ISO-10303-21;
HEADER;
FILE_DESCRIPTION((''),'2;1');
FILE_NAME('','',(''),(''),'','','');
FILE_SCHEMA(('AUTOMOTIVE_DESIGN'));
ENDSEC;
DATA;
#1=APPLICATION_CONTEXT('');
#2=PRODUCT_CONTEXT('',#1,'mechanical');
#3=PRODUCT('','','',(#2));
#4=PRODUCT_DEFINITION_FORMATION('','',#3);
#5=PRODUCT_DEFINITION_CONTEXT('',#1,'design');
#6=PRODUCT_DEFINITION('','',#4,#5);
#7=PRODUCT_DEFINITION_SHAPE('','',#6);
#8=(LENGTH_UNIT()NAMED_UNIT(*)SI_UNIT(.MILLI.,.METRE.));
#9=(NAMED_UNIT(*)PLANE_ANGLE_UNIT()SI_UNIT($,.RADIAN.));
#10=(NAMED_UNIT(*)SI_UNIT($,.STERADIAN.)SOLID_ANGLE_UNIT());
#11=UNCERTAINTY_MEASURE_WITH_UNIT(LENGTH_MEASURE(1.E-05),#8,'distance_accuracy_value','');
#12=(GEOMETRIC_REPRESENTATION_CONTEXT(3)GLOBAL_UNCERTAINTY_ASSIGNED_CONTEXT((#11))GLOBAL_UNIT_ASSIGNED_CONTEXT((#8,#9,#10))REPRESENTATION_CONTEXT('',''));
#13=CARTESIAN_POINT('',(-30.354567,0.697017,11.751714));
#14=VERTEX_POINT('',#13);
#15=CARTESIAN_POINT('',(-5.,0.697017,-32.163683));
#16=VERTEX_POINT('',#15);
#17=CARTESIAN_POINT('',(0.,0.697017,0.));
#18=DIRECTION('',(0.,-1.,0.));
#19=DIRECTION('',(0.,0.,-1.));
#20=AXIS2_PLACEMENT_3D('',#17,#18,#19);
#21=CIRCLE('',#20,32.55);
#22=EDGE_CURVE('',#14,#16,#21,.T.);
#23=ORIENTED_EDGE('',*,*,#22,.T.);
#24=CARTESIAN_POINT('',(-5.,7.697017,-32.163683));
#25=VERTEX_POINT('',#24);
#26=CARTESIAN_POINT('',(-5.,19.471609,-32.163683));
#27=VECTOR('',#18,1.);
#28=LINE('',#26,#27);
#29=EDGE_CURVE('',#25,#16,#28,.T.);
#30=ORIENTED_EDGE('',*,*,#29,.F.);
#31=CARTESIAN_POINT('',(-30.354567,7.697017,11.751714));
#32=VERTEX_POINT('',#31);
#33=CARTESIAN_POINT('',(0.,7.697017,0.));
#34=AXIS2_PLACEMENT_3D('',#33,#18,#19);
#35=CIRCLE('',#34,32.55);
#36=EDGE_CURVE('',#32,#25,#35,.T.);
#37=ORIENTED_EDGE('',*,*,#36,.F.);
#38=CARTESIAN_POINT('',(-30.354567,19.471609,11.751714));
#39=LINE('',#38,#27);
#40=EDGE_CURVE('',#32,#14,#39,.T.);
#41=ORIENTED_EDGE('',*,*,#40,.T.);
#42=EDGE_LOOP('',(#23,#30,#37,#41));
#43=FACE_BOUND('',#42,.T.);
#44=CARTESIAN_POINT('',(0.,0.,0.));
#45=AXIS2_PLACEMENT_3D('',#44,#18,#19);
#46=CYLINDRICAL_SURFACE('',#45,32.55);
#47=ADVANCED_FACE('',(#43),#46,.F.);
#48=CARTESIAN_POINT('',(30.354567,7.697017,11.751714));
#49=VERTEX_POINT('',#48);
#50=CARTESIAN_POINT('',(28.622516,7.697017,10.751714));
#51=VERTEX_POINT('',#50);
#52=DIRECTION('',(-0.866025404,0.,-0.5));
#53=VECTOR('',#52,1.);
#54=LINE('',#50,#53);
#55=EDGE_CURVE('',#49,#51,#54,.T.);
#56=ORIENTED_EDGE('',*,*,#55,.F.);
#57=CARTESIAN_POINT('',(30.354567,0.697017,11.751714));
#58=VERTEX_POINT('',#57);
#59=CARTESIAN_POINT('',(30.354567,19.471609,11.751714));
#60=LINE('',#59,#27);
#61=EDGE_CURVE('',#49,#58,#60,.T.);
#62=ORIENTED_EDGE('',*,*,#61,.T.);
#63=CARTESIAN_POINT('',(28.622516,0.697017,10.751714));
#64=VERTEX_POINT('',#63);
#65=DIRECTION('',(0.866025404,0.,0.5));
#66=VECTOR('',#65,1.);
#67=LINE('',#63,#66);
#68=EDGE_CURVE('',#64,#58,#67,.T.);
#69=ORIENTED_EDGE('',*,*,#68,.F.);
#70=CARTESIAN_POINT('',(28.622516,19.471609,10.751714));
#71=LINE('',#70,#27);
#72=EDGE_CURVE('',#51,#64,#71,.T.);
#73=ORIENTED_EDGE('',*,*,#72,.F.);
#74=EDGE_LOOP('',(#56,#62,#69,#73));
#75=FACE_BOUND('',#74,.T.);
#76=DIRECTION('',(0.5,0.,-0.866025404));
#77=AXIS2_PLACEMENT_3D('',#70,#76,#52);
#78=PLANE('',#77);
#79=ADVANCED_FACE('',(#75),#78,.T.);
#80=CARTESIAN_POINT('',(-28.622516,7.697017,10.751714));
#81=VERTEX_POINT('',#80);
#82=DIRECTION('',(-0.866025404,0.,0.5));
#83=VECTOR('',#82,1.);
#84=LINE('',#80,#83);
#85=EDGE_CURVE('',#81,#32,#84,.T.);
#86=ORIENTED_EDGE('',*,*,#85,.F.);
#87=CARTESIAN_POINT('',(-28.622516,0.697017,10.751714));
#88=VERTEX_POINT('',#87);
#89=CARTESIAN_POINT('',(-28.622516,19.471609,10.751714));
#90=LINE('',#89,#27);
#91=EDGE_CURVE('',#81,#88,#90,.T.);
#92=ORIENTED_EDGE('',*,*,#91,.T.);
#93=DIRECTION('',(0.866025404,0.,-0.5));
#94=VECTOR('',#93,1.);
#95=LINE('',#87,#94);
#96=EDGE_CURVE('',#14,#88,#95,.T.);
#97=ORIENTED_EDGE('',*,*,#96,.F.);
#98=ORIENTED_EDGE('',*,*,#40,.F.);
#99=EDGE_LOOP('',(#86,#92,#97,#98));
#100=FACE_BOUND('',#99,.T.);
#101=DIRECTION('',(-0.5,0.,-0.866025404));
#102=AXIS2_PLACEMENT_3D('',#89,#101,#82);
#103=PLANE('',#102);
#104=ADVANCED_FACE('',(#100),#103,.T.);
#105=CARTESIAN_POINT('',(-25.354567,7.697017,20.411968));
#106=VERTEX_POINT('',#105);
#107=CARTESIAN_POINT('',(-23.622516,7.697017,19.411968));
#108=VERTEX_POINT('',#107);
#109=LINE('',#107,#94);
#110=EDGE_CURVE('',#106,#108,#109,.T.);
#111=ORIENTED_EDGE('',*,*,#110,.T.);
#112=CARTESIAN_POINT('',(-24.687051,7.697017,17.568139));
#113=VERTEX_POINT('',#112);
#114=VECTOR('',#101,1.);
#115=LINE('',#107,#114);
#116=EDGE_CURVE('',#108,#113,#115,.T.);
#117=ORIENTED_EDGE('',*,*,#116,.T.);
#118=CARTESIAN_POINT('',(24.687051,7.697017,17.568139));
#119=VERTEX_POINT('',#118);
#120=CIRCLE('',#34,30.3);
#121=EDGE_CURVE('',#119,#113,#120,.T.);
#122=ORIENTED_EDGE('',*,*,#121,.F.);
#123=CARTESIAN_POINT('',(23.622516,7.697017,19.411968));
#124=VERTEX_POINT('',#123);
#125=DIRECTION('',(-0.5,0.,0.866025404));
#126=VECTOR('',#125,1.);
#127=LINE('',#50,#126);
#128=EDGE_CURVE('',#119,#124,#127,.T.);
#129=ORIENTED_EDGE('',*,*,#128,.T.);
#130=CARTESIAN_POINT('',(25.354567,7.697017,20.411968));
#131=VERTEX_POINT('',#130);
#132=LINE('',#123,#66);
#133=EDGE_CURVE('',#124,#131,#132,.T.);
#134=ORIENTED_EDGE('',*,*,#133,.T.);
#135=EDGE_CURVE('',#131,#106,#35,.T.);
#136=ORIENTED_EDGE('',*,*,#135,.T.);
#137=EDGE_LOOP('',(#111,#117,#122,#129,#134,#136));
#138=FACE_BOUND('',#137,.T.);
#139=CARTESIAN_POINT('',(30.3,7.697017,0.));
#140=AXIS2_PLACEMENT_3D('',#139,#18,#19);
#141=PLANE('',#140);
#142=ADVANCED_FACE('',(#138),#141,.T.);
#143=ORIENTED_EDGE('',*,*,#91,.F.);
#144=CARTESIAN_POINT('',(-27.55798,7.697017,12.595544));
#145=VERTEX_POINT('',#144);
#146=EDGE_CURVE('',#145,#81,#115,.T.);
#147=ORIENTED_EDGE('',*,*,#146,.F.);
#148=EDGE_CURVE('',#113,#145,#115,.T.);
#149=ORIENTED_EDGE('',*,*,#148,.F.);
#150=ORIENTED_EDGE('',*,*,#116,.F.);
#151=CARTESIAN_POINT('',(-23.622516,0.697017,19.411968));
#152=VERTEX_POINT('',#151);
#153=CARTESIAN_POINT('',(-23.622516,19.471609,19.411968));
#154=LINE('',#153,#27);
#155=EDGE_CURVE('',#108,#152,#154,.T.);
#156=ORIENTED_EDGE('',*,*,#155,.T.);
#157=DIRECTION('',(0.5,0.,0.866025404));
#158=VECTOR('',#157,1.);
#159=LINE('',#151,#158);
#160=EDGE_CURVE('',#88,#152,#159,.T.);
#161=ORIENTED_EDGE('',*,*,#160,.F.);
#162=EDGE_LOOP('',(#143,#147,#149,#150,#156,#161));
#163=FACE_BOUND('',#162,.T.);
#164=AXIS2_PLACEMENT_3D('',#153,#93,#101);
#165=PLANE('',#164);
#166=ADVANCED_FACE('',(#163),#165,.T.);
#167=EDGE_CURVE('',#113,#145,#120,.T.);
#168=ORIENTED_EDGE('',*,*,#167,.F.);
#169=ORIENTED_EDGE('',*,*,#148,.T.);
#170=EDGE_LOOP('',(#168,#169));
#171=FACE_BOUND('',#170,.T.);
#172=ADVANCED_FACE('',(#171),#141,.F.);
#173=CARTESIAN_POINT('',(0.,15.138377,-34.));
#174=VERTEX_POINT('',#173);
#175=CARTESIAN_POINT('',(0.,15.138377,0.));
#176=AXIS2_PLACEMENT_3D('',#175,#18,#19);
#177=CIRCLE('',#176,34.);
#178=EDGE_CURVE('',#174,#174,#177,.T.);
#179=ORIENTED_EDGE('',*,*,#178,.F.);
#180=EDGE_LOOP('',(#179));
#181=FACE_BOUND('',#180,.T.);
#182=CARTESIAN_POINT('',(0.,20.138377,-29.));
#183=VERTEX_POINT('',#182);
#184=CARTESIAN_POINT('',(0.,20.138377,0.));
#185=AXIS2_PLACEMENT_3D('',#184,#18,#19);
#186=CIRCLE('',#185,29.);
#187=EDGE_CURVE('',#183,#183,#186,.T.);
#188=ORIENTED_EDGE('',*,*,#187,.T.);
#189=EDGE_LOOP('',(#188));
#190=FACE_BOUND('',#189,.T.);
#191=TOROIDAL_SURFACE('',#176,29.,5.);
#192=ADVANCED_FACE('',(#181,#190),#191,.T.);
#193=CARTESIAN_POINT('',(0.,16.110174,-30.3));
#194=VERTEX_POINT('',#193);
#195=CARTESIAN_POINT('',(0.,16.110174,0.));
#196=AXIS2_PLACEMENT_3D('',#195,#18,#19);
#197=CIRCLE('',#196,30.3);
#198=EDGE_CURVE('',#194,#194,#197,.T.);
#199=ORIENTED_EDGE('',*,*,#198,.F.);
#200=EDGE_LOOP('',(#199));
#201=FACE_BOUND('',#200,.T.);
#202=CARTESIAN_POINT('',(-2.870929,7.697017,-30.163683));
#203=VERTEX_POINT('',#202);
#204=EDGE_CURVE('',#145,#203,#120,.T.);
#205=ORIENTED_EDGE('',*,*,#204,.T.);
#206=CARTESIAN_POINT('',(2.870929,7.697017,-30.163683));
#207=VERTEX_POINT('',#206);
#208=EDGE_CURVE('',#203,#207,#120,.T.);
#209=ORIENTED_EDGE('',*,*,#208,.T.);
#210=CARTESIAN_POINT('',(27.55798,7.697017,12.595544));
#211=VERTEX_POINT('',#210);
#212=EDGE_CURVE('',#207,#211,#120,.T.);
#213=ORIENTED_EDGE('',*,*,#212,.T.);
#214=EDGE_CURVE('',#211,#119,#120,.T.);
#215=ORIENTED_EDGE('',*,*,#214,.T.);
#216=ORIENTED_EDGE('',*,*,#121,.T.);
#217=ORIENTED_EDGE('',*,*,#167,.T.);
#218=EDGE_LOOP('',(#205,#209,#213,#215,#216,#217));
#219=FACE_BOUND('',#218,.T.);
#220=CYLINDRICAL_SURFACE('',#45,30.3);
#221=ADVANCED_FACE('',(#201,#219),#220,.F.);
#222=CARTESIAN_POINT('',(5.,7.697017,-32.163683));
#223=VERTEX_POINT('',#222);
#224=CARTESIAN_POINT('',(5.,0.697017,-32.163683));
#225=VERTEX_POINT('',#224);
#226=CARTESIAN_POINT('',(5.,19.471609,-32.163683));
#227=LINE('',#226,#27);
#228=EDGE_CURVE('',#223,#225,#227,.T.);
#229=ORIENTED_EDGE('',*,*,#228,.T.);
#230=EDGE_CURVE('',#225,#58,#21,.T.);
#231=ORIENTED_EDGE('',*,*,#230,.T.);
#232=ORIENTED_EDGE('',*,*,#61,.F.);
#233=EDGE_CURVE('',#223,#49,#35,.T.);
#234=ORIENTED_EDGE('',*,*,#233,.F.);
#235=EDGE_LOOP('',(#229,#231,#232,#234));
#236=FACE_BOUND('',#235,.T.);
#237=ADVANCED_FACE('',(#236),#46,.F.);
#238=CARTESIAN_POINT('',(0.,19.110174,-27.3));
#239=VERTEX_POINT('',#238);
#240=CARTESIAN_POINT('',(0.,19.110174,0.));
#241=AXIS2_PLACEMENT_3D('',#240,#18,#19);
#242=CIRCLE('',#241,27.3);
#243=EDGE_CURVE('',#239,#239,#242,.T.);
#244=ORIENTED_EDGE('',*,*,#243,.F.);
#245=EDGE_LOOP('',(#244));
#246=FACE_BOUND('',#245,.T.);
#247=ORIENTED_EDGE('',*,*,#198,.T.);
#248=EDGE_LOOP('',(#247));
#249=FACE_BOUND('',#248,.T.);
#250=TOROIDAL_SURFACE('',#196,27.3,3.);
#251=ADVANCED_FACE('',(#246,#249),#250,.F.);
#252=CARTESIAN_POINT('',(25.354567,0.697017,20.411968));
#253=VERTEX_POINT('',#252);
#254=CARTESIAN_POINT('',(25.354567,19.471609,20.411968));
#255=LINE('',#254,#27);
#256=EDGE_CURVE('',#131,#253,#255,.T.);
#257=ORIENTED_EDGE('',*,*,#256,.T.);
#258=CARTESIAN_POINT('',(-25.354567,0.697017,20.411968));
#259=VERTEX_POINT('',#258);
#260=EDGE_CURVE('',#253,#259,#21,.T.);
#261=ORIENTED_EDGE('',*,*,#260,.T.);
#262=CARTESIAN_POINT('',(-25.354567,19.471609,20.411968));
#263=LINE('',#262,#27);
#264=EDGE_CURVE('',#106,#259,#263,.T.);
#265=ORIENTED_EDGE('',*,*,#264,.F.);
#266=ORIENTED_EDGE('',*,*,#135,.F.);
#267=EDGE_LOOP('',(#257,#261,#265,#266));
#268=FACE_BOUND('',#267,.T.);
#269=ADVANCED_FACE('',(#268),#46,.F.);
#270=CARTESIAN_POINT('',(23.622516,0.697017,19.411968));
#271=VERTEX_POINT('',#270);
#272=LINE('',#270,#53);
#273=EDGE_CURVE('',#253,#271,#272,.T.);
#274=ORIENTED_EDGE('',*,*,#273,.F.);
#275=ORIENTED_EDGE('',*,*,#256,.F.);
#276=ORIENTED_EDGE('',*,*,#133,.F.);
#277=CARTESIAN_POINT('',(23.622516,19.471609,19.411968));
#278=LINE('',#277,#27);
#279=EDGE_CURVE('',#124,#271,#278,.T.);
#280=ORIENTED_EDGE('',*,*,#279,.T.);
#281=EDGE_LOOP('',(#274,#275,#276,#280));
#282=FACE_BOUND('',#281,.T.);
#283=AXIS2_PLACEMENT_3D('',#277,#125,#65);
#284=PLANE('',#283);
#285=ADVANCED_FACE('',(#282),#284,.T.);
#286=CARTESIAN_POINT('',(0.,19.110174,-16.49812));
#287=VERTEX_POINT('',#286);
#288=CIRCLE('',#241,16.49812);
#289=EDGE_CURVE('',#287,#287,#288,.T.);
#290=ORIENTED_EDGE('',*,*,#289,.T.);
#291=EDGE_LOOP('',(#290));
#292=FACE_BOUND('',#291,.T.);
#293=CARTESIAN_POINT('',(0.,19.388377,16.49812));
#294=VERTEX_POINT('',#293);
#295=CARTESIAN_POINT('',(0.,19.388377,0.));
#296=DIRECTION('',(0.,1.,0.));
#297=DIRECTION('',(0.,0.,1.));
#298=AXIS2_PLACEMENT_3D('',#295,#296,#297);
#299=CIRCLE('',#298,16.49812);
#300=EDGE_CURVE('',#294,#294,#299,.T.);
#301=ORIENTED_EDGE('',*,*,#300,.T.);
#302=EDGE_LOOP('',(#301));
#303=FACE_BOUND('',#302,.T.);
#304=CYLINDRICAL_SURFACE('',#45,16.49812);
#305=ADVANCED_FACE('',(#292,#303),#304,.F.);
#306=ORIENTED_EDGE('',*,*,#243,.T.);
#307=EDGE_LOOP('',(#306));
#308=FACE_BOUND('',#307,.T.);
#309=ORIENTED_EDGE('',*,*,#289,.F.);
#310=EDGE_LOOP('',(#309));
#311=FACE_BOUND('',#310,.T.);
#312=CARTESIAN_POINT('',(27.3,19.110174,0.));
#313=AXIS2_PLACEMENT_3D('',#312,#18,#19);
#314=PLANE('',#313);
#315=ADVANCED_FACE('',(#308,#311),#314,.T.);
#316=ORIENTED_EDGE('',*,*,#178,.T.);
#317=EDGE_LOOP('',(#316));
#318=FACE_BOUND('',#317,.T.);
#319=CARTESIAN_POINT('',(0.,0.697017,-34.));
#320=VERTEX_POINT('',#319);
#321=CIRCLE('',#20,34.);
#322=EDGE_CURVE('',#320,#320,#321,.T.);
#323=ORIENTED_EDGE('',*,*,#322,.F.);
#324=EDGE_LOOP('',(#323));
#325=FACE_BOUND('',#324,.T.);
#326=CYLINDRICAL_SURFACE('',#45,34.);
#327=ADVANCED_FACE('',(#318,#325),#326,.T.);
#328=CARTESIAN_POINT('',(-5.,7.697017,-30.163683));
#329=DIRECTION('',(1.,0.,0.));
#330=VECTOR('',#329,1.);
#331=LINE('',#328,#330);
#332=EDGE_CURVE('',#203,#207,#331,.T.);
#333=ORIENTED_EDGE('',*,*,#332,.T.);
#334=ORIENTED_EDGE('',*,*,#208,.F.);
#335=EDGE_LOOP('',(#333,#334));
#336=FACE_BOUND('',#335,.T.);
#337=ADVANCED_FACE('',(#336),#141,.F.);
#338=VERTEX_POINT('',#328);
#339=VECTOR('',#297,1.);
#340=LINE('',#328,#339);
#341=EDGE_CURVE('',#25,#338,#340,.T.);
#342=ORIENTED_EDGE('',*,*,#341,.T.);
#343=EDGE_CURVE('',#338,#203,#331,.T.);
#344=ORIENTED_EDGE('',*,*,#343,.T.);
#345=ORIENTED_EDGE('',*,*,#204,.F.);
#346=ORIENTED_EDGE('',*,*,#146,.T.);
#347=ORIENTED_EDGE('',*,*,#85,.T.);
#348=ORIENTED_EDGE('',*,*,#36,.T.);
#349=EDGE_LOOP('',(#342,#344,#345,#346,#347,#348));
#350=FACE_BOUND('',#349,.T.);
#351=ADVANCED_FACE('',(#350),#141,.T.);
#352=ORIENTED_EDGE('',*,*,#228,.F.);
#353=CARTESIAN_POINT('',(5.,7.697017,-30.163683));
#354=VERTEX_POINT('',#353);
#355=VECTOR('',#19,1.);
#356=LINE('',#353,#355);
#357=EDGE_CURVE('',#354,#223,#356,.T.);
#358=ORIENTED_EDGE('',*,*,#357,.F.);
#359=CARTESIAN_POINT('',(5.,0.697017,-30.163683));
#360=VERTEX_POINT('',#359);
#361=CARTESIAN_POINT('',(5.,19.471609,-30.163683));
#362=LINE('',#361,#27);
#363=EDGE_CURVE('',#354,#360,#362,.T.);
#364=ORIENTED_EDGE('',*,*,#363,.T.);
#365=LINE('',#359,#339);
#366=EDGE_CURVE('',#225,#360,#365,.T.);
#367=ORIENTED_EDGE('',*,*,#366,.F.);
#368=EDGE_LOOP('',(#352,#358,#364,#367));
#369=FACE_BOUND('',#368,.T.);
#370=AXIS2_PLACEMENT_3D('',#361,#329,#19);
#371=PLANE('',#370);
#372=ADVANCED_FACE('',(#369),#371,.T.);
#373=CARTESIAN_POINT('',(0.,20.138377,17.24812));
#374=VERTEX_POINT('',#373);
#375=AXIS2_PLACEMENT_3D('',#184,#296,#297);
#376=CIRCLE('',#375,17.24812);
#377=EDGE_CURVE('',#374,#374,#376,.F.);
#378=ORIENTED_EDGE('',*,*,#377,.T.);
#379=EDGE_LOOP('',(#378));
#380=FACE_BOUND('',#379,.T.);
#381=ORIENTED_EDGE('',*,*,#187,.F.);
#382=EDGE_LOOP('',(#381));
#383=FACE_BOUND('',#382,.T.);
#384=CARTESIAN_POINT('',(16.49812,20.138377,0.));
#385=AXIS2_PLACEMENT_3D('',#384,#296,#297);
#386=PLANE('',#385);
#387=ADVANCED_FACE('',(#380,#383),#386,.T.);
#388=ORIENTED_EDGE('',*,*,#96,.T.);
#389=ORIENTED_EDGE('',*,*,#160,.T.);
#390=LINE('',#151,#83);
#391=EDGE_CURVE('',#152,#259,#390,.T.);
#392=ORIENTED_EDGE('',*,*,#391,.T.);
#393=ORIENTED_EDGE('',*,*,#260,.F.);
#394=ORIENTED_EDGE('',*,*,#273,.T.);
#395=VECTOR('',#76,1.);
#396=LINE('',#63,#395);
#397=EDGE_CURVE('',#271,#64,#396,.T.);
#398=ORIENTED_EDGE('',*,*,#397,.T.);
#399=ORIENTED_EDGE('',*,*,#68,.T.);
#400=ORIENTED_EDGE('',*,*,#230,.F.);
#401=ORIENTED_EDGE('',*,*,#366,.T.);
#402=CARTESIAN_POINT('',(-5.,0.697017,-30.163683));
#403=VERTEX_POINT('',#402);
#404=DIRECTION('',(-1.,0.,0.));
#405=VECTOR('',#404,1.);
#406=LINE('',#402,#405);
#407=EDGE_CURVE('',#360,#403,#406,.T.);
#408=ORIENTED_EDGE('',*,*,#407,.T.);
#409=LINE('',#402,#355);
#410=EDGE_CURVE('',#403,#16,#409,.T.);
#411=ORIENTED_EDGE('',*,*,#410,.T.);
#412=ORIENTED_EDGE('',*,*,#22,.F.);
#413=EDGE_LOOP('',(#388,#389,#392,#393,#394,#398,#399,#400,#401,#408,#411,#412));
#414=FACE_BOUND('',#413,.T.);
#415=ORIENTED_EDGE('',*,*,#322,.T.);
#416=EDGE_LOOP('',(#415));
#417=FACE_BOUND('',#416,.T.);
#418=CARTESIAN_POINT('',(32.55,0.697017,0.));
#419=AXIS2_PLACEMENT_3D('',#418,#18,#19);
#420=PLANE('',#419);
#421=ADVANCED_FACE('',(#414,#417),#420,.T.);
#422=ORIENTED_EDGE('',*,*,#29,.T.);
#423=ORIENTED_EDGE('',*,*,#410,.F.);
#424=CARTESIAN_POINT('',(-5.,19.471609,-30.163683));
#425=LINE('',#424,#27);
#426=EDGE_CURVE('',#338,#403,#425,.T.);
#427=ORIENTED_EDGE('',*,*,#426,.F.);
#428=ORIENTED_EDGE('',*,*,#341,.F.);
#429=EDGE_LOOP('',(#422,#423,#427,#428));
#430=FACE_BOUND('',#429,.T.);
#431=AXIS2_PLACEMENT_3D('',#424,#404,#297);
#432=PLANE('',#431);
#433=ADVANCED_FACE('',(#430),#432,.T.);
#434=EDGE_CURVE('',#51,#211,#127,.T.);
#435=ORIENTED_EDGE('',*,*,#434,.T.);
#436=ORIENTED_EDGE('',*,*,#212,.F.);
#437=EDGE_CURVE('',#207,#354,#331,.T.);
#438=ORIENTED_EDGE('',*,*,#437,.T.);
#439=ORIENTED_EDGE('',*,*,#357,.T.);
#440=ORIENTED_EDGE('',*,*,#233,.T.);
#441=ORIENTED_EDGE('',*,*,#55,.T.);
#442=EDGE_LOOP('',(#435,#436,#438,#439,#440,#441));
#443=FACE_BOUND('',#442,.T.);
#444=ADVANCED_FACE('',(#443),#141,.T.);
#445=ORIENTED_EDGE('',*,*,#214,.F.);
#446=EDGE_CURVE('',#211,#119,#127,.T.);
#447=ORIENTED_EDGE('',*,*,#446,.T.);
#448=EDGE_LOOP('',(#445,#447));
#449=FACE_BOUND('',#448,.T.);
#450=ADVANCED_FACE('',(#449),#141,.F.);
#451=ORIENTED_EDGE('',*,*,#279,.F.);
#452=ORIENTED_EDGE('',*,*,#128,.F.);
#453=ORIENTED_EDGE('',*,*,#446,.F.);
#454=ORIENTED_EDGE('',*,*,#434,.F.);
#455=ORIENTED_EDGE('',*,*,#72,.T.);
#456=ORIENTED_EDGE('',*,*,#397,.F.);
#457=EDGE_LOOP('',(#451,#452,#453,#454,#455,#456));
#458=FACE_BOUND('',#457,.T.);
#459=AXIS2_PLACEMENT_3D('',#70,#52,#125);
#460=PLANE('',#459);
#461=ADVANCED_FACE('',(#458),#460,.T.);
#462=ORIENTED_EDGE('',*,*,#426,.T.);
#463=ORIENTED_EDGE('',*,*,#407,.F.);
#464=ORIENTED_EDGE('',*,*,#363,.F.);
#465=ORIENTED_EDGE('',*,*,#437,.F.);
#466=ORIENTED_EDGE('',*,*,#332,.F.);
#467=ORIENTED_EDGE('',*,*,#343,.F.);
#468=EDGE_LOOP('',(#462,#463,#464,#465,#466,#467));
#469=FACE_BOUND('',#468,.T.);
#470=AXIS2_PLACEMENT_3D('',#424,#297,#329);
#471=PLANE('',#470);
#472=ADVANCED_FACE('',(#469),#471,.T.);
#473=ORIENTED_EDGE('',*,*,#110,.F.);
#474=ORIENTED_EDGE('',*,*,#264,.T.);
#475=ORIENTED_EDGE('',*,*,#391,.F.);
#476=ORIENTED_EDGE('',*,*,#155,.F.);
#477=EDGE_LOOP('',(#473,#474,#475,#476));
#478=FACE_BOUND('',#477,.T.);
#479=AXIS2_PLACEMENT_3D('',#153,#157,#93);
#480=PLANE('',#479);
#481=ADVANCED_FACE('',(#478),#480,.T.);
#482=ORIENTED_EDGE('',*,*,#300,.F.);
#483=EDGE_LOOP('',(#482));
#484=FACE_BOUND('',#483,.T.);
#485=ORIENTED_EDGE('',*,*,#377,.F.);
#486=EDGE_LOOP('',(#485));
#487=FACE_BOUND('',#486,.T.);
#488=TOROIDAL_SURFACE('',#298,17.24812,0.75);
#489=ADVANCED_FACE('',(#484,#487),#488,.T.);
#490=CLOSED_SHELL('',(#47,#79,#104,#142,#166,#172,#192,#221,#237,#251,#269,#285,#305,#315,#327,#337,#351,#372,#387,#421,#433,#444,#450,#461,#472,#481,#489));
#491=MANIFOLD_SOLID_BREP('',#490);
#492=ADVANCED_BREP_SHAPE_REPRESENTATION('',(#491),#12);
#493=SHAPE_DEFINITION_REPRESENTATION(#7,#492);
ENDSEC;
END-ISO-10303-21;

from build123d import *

# Parameters (mm, degrees)
FILLET2_R           = 0.75
BOSS_EXTRUDE4_DEPTH = 7


with BuildPart() as part:
    # Sketch5 → Revolve1 (revolve)
    with BuildSketch(Plane.XY):
        with BuildLine():
            Line((30.3, 7.697016625), (30.3, 16.110174346))
            ThreePointArc((30.3, 16.110174346), (29.421320344, 18.23149469), (27.3, 19.110174346))
            Line((27.3, 19.110174346), (22.498120145, 19.110174346))
            Line((22.498120145, 19.110174346), (16.498120145, 19.110174346))
            Line((16.498120145, 19.110174346), (16.498120145, 20.138377289))
            Line((16.498120145, 20.138377289), (29, 20.138377289))
            ThreePointArc((29, 20.138377289), (32.535533906, 18.673911195), (34, 15.138377289))
            Line((34, 15.138377289), (34, 0.697016625))
            Line((34, 0.697016625), (32.55, 0.697016625))
            Line((32.55, 0.697016625), (32.55, 7.697016625))
            Line((32.55, 7.697016625), (30.3, 7.697016625))
        make_face()
    revolve(axis=Axis((0, 0, 0), (0, 1, 0)))

    # Fillet2
    fillet2_edges = [part.edges().sort_by_distance(p)[0] for p in [
        (-16.498120145, 20.138377289, 0),
    ]]
    fillet(fillet2_edges, radius=FILLET2_R)

    # Sketch8 → Boss-Extrude4 (add)
    with BuildSketch(Plane.XZ.offset(-0.697016625)):
        with BuildLine():
            Line((-5, -30.163682936), (5, -30.163682936))
            Line((5, -30.163682936), (5, -32.163682936))
            ThreePointArc((5, -32.163682936), (0, -32.55), (-5, -32.163682936))
            Line((-5, -32.163682936), (-5, -30.163682936))
        make_face()
        with BuildLine():
            Line((-28.622515694, 10.751714449), (-30.354566502, 11.751714449))
            ThreePointArc((-30.354566502, 11.751714449), (-28.189126893, 16.275), (-25.354566502, 20.411968487))
            Line((-25.354566502, 20.411968487), (-23.622515694, 19.411968487))
            Line((-23.622515694, 19.411968487), (-28.622515694, 10.751714449))
        make_face()
        with BuildLine():
            Line((23.622515694, 19.411968487), (25.354566502, 20.411968487))
            ThreePointArc((25.354566502, 20.411968487), (28.189126893, 16.275), (30.354566502, 11.751714449))
            Line((30.354566502, 11.751714449), (28.622515694, 10.751714449))
            Line((28.622515694, 10.751714449), (23.622515694, 19.411968487))
        make_face()
    extrude(amount=-BOSS_EXTRUDE4_DEPTH)


solid = part.part
